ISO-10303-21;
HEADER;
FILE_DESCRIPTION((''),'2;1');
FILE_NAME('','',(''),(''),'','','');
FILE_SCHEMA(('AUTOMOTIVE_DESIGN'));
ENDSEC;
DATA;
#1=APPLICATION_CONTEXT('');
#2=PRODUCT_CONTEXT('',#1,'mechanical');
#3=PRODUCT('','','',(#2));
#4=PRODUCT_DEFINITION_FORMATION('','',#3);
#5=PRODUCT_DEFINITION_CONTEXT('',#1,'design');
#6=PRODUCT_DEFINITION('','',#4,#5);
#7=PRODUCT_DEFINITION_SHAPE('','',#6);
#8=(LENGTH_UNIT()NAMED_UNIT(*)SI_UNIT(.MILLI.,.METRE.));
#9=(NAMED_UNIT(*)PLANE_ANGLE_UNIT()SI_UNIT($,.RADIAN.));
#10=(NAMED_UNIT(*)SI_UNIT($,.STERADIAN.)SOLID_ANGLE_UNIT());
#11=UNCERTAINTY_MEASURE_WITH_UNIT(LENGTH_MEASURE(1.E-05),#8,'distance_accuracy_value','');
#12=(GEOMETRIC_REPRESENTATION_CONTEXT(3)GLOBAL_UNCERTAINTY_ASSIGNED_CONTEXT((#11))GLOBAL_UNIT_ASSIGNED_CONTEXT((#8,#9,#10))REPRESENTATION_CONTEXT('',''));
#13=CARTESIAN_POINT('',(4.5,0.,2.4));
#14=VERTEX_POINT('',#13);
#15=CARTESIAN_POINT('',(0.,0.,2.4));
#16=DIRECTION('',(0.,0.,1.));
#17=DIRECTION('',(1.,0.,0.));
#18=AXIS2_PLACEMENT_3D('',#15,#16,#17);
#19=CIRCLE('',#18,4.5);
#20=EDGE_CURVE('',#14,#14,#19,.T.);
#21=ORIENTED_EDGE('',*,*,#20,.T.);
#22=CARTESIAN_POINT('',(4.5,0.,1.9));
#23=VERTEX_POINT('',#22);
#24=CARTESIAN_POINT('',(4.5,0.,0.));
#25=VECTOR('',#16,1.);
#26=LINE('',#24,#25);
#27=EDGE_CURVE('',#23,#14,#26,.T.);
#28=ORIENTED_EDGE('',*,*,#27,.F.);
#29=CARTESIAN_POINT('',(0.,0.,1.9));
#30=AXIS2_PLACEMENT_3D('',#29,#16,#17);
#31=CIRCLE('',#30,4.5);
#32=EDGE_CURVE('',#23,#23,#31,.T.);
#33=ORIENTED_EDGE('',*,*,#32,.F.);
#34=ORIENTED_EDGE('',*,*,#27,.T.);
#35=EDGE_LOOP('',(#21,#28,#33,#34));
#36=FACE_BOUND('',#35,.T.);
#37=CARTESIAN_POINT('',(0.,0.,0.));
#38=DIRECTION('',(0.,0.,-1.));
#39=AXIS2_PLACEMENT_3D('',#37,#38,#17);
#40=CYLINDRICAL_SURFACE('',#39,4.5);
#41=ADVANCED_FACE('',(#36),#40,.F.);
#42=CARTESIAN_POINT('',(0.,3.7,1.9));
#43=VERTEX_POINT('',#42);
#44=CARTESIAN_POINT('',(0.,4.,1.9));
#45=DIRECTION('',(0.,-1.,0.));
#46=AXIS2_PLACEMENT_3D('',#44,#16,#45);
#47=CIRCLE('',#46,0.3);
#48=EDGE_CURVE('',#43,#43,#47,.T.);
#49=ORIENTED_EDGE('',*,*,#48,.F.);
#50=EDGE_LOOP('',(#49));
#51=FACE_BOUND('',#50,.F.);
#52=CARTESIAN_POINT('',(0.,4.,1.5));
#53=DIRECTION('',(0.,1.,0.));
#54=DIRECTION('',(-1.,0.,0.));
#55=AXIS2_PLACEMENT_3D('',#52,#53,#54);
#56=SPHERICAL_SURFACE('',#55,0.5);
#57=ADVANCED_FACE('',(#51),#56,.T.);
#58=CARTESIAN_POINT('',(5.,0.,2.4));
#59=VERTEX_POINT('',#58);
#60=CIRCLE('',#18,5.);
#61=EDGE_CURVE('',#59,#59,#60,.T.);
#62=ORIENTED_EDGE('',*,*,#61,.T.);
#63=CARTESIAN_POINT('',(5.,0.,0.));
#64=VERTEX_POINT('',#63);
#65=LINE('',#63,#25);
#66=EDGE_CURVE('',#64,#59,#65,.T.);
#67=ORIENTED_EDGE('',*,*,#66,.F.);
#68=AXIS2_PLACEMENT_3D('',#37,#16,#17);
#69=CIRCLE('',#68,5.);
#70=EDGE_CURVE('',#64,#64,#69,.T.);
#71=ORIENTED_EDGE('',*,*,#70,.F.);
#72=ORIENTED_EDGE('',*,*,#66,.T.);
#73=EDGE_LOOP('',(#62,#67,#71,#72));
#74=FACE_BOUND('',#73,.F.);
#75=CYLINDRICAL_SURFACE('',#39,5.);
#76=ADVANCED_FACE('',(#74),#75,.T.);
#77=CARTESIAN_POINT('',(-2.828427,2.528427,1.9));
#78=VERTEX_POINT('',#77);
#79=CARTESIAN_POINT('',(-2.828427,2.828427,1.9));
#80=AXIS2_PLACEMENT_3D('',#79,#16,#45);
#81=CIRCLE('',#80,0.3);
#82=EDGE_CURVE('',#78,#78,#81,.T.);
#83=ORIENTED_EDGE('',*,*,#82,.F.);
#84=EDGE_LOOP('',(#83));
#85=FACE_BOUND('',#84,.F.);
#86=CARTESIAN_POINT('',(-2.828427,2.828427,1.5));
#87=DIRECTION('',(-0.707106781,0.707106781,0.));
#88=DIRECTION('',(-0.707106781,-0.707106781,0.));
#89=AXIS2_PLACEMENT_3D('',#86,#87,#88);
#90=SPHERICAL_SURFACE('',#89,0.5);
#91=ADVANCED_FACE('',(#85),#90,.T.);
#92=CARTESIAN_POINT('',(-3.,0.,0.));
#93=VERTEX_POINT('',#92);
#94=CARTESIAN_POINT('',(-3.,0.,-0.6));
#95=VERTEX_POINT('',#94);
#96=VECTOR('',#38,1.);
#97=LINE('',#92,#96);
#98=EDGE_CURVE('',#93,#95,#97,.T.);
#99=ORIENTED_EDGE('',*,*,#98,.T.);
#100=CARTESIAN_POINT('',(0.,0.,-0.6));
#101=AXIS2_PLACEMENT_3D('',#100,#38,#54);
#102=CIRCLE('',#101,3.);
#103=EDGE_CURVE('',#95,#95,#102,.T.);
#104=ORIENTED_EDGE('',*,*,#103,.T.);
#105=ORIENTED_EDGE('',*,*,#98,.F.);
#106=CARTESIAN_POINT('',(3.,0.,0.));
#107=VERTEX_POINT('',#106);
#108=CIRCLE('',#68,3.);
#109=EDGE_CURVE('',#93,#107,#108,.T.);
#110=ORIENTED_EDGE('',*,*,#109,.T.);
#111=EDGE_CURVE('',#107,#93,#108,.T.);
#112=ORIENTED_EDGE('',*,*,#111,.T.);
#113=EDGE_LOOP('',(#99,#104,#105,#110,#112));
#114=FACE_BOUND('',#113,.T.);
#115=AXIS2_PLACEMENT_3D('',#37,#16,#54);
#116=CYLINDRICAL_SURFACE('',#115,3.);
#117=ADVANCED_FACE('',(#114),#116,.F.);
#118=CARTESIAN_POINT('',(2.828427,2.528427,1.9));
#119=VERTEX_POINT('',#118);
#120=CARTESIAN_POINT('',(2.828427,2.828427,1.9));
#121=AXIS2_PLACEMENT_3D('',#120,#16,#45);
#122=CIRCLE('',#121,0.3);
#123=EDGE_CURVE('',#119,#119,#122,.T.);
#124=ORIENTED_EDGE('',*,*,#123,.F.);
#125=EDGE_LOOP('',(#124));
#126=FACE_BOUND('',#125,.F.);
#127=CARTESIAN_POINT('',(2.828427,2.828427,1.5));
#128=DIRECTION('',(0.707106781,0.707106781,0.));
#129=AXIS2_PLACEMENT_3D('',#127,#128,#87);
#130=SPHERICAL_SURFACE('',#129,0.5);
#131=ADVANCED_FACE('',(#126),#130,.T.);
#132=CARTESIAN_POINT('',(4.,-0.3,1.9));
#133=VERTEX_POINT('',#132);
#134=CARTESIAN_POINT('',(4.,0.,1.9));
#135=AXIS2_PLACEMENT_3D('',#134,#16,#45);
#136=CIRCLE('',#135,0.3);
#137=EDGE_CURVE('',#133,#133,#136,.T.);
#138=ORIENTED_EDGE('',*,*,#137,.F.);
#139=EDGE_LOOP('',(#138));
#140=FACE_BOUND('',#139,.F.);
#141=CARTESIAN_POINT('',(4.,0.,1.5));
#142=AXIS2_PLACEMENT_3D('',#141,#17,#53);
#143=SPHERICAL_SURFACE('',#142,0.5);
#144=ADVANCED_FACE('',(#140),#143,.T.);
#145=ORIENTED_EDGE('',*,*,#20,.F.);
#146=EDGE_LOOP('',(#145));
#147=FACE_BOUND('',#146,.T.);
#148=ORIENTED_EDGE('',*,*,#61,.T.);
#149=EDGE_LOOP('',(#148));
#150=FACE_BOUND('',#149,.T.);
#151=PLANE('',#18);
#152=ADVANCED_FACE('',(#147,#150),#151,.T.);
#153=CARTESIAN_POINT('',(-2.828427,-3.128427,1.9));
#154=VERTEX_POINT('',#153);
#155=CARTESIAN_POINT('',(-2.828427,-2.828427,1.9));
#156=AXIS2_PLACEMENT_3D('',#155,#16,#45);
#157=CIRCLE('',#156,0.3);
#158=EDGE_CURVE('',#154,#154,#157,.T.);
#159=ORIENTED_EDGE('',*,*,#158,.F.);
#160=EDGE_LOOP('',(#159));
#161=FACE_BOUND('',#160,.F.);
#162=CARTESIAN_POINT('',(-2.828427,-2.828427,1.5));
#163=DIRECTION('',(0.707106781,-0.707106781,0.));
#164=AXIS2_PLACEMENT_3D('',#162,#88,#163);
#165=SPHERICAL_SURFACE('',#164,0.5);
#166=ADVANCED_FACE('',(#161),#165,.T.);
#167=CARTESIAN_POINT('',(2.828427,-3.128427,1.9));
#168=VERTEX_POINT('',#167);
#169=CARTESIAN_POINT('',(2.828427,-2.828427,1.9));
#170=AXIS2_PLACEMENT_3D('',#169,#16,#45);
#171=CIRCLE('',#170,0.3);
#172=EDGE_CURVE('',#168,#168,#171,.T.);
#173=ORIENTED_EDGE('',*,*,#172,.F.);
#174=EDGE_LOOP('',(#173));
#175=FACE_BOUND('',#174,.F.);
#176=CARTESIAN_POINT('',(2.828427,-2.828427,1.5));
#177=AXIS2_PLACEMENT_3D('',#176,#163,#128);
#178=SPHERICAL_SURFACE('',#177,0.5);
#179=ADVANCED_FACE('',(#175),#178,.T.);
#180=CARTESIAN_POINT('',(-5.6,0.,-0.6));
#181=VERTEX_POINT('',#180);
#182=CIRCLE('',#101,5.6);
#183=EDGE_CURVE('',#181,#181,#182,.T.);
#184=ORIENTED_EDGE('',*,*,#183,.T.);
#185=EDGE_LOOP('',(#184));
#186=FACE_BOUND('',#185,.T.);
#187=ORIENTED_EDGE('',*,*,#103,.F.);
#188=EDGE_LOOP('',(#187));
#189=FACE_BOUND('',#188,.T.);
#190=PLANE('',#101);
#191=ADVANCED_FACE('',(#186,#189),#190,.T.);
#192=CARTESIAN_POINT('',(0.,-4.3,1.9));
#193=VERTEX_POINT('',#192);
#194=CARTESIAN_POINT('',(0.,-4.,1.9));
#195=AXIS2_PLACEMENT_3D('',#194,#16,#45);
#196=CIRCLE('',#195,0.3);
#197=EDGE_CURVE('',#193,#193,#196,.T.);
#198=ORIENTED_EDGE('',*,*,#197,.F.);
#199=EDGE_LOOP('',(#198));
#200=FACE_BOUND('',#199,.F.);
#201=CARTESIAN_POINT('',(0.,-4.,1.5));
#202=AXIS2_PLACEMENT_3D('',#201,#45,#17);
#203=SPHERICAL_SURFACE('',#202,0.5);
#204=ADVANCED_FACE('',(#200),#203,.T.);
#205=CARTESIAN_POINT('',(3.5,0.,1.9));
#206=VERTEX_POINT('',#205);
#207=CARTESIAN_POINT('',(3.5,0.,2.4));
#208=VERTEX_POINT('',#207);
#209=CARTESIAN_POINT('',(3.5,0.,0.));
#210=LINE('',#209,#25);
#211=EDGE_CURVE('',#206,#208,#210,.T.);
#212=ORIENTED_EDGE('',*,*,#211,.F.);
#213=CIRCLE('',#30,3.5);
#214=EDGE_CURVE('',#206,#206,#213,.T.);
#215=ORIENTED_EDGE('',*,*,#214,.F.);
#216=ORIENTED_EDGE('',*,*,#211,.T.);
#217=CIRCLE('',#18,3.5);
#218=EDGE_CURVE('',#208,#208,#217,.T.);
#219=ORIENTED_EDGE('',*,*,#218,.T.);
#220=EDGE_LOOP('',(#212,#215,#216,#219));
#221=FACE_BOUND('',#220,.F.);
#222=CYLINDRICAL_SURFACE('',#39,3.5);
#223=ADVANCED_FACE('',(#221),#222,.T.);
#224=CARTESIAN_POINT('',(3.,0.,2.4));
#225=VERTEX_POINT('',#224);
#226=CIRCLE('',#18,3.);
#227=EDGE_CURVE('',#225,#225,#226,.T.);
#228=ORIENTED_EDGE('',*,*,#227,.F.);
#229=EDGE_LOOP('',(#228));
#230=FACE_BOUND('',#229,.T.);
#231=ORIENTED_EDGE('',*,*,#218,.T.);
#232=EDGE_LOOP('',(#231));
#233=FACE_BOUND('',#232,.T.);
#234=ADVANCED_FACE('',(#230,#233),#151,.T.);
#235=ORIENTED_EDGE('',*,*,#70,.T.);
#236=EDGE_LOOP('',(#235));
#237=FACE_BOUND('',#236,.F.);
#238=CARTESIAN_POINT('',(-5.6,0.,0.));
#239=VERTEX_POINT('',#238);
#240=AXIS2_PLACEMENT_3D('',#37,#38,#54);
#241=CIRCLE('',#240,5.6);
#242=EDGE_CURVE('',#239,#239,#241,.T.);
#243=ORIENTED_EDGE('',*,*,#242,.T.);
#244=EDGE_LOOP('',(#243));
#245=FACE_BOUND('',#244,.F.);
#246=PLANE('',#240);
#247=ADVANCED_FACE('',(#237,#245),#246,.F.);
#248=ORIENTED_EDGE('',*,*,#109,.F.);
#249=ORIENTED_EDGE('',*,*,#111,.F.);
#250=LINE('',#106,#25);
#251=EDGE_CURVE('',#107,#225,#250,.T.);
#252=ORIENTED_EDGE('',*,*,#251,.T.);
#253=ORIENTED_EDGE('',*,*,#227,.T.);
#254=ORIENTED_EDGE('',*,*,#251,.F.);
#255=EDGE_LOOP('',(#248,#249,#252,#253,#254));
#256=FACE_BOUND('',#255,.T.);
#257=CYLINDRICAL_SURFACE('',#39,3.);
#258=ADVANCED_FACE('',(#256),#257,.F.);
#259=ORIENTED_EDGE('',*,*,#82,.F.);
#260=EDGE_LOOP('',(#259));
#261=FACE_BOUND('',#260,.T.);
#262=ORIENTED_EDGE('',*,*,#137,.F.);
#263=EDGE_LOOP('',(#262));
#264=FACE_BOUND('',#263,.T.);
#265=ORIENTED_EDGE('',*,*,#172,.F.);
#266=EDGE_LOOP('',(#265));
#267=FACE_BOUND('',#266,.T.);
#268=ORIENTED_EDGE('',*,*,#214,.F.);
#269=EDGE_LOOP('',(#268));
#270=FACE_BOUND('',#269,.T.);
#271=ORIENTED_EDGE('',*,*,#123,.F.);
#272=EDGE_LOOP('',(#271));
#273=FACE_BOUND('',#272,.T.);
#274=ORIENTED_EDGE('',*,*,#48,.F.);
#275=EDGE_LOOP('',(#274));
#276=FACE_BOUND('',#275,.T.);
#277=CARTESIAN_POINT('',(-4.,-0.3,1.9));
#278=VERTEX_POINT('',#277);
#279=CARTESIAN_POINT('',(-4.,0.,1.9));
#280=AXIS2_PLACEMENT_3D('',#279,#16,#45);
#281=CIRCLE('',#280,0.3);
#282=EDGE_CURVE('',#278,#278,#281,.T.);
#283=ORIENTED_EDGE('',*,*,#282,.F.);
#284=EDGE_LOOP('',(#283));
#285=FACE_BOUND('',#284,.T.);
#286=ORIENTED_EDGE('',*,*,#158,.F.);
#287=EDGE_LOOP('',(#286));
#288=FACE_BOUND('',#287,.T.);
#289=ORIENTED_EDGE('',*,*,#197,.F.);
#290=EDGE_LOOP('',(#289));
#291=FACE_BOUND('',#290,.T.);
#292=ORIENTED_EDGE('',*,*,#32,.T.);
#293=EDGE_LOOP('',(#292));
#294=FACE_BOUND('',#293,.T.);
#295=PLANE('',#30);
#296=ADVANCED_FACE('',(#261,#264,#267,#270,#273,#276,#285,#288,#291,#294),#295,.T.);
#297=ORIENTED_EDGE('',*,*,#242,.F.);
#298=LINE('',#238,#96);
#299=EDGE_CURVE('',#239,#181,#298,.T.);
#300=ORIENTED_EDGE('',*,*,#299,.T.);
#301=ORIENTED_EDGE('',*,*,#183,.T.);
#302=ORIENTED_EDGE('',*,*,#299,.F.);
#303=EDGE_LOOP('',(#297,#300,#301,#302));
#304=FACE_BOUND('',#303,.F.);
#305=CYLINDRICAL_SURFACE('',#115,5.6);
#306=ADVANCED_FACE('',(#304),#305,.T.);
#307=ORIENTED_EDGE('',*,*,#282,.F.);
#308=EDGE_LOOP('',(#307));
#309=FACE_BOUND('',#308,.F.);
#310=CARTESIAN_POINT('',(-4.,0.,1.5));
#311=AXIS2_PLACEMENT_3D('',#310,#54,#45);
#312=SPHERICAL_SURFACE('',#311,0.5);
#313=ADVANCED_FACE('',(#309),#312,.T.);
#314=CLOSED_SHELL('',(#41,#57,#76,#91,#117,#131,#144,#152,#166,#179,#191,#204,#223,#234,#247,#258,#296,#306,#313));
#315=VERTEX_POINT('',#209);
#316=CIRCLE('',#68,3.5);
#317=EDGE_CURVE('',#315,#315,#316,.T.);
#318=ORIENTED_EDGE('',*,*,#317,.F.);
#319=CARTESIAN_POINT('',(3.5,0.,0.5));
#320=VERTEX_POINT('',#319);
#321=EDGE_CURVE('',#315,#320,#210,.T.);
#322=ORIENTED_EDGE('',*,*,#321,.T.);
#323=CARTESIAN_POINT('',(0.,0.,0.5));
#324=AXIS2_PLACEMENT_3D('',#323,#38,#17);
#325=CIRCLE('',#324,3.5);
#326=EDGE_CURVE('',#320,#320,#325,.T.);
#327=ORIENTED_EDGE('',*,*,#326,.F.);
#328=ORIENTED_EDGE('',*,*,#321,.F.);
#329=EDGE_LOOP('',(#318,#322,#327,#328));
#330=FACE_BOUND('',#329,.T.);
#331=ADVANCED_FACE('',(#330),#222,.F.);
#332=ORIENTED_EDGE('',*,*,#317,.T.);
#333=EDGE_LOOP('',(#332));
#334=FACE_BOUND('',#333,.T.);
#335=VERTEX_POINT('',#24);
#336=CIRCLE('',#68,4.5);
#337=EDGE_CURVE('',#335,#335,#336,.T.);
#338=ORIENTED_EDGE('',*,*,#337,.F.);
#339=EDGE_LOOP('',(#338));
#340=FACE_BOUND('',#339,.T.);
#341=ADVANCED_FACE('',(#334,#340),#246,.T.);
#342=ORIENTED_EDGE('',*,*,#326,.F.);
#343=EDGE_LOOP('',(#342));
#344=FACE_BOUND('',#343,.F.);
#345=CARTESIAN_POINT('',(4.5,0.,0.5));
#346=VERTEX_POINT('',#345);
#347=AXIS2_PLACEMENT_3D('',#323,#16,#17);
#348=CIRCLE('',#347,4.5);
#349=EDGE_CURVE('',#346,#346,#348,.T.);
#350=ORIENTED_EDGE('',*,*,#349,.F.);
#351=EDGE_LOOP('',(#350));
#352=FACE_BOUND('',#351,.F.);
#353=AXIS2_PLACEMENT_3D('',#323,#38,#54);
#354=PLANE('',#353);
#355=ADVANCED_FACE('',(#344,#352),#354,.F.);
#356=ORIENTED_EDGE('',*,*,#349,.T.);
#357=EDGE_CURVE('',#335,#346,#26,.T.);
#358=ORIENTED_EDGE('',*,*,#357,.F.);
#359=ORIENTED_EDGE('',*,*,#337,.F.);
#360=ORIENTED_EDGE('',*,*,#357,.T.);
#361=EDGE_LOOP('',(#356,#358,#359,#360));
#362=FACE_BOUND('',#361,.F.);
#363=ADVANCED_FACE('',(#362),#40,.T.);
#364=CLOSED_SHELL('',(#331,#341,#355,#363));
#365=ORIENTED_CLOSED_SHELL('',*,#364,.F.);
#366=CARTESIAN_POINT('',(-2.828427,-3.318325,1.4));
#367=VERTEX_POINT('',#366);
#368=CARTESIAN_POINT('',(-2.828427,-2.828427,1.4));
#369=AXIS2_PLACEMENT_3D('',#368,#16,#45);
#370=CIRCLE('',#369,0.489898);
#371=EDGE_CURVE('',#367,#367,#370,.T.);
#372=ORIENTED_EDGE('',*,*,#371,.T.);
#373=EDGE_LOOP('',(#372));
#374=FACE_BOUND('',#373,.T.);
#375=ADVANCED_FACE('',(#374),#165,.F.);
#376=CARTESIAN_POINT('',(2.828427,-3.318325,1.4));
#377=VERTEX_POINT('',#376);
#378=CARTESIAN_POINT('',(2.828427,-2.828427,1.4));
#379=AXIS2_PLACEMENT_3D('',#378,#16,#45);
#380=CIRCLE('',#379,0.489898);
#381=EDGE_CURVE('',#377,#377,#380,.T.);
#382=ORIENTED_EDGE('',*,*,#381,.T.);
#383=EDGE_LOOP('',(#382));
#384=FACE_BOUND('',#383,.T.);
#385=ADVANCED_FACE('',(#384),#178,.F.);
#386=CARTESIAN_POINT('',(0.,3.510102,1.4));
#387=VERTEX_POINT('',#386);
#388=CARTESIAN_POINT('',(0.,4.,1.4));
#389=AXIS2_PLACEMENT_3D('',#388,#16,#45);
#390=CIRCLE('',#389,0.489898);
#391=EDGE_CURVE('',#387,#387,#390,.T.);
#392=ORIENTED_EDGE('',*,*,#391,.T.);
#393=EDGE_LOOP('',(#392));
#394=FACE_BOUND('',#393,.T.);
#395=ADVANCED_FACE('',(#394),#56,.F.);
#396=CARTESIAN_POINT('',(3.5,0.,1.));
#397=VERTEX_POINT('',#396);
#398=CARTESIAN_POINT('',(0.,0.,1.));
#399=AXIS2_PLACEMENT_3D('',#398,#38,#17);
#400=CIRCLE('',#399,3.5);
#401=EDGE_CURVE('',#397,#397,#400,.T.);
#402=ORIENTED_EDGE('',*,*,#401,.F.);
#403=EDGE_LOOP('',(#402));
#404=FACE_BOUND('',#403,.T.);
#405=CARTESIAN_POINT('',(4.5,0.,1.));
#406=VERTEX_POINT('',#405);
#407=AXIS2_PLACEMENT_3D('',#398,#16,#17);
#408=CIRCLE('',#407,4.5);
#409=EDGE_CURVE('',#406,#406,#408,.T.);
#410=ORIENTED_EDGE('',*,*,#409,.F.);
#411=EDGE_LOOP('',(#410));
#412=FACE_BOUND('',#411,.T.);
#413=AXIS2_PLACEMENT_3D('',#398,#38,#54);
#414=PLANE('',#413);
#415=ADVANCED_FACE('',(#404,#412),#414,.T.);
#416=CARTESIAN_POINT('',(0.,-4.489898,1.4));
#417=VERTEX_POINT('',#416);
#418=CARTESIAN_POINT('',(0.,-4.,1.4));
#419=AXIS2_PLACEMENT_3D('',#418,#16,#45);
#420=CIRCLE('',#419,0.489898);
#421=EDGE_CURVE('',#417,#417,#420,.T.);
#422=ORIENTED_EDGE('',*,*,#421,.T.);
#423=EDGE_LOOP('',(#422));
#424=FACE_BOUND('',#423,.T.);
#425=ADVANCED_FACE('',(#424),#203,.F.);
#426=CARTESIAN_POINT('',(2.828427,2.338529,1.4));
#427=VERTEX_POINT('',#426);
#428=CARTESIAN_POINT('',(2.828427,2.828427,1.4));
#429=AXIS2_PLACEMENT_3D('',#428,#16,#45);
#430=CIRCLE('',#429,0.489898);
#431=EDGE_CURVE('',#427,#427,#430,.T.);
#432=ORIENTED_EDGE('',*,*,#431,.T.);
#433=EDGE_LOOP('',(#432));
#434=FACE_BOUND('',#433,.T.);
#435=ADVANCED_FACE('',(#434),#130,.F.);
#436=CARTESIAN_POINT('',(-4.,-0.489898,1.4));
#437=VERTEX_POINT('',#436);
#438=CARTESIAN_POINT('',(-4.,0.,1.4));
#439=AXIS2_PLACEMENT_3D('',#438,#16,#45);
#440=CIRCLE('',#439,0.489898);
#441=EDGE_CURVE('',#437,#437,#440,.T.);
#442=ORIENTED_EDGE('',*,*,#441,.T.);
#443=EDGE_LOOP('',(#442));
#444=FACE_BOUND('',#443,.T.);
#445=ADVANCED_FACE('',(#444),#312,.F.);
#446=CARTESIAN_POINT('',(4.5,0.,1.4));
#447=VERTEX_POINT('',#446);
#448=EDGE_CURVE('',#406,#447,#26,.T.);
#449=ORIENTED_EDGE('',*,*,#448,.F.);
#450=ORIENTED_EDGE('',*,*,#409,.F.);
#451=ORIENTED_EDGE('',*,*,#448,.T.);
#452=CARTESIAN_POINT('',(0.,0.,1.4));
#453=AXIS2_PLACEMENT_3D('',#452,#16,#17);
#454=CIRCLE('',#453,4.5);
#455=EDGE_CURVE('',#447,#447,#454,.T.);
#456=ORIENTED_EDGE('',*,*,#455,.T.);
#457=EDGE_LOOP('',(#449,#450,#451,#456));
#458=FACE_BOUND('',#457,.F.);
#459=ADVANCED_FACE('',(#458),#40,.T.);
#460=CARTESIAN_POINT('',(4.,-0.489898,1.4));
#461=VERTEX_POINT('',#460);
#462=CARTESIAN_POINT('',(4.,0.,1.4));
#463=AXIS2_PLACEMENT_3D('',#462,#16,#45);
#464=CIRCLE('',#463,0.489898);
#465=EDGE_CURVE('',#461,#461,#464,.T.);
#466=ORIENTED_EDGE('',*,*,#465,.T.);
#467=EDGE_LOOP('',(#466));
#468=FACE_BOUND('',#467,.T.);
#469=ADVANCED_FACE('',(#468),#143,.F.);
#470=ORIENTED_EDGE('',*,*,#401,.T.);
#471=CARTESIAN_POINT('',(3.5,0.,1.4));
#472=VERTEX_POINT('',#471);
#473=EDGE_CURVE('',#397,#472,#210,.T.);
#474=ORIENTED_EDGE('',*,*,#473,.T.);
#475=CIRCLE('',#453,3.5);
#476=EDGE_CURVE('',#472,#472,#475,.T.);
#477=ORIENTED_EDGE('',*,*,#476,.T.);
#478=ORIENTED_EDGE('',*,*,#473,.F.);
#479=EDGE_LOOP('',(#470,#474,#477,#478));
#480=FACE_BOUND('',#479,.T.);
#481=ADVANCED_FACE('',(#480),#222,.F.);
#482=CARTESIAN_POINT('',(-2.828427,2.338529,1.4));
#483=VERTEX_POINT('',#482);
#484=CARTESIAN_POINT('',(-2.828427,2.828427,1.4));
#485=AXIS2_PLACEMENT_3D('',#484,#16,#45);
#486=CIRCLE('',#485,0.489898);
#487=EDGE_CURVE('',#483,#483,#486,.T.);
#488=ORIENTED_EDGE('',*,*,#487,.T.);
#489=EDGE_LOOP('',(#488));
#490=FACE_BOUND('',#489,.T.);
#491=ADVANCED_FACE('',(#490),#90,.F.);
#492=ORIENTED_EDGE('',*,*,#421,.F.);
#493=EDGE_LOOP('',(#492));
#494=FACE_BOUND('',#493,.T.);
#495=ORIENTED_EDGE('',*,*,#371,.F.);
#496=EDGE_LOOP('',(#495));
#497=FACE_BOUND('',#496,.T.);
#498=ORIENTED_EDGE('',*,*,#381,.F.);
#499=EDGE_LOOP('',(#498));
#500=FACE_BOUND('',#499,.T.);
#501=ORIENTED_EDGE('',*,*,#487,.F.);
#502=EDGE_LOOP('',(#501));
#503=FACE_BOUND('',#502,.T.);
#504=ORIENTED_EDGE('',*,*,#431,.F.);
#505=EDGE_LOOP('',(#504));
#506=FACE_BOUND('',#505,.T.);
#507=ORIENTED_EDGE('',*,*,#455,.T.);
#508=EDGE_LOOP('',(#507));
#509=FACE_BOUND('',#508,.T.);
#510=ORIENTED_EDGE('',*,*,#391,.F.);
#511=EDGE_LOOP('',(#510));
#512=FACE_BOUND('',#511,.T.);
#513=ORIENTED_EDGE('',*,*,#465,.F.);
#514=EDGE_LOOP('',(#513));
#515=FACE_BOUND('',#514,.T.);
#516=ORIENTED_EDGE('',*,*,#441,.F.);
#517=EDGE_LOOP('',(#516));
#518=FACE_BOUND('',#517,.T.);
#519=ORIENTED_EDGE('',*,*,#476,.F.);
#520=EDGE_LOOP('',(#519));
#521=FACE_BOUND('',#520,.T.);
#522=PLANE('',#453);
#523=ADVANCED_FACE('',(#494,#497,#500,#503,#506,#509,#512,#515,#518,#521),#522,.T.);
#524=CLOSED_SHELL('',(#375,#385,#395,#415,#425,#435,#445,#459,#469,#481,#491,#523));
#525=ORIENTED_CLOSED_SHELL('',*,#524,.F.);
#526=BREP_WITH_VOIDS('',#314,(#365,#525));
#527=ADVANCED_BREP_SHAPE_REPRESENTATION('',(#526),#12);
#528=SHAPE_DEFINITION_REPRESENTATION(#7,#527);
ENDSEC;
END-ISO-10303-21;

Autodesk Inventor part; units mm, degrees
sketch "スケッチ1" plane through (0, 0, 0) normal (0, 0, 1) x (1, 0, 0)
  circle A0 centre (0, 0) radius 3
  circle A1 centre (0, 0) radius 3.5
  circle A2 centre (0, 0) radius 5
  circle A3 centre (0, 0) radius 4.5
  dimension "d0" = 6
  dimension "d1" = 7
  dimension "d2" = 10
  dimension "d3" = 9
extrude "押し出し1" add sketch "スケッチ1" along normal blind 2.4
sketch "スケッチ2" plane through (0, 0, 2.4) normal (0, 0, 1) x (1, 0, 0)
  point P0 (0, 0)
ref_plane "作業平面1" through (0, 0, 1.4) normal (0, 0, 1) x (1, 0, 0)
ref_plane "作業平面2" through (0, 0, 1) normal (0, 0, -1) x (-1, 0, 0)
ref_plane "作業平面3" through (0, 0, 1.5) normal (0, 0, -1) x (-1, 0, 0)
sketch "スケッチ3" plane through (0, 0, 1.5) normal (0, 0, -1) x (-1, 0, 0)
  circle A0 centre (0, 4) radius 0.5
  circle A1 centre (0, 0) radius 4.5 projected
  circle A2 centre (0, 0) radius 3.5 projected
  line L0 (0, 4.5) -> (0, 3.5)
revolve "回転1" add sketch "スケッチ3" angle 360 about axis through (0, 4.5, 1.5) along (0, -1, 0) picked at (0.0723, 4.1502) contours A0 L0
pattern_circular "円形状パターン1" count 8 over 360 about axis through (0, 0, -10) along (0, 0, 1) of "回転1"
sketch "スケッチ4" plane through (0, 0, 1) normal (0, 0, -1) x (-1, 0, 0)
  circle A0 centre (0, 0) radius 3.5 projected
  circle A1 centre (0, 0) radius 4.5 projected
extrude "押し出し2" add sketch "スケッチ4" along normal blind 0.5
sketch "スケッチ5" plane through (0, 0, 1.4) normal (0, 0, 1) x (1, 0, 0)
  circle A0 centre (0, 0) radius 3.5 projected
  circle A1 centre (0, 0) radius 4.5 projected
extrude "押し出し3" add sketch "スケッチ5" along normal blind 0.5
sketch "スケッチ6" plane through (0, 0, 0) normal (0, 0, -1) x (-1, 0, 0)
  circle A0 centre (0, 0) radius 3
  circle A1 centre (0, 0) radius 5.6
  dimension "d17" = 11.2
  dimension "d20" = 6
extrude "押し出し4" add sketch "スケッチ6" along normal blind 0.6
sketch "スケッチ7" plane through (0, 0, 0) normal (0, 0, -1) x (-1, 0, 0)
  point P0 (0, 0)
properties part number "φ6φ10ベアリング" material "鋼 AISI 1006 85 HR"
